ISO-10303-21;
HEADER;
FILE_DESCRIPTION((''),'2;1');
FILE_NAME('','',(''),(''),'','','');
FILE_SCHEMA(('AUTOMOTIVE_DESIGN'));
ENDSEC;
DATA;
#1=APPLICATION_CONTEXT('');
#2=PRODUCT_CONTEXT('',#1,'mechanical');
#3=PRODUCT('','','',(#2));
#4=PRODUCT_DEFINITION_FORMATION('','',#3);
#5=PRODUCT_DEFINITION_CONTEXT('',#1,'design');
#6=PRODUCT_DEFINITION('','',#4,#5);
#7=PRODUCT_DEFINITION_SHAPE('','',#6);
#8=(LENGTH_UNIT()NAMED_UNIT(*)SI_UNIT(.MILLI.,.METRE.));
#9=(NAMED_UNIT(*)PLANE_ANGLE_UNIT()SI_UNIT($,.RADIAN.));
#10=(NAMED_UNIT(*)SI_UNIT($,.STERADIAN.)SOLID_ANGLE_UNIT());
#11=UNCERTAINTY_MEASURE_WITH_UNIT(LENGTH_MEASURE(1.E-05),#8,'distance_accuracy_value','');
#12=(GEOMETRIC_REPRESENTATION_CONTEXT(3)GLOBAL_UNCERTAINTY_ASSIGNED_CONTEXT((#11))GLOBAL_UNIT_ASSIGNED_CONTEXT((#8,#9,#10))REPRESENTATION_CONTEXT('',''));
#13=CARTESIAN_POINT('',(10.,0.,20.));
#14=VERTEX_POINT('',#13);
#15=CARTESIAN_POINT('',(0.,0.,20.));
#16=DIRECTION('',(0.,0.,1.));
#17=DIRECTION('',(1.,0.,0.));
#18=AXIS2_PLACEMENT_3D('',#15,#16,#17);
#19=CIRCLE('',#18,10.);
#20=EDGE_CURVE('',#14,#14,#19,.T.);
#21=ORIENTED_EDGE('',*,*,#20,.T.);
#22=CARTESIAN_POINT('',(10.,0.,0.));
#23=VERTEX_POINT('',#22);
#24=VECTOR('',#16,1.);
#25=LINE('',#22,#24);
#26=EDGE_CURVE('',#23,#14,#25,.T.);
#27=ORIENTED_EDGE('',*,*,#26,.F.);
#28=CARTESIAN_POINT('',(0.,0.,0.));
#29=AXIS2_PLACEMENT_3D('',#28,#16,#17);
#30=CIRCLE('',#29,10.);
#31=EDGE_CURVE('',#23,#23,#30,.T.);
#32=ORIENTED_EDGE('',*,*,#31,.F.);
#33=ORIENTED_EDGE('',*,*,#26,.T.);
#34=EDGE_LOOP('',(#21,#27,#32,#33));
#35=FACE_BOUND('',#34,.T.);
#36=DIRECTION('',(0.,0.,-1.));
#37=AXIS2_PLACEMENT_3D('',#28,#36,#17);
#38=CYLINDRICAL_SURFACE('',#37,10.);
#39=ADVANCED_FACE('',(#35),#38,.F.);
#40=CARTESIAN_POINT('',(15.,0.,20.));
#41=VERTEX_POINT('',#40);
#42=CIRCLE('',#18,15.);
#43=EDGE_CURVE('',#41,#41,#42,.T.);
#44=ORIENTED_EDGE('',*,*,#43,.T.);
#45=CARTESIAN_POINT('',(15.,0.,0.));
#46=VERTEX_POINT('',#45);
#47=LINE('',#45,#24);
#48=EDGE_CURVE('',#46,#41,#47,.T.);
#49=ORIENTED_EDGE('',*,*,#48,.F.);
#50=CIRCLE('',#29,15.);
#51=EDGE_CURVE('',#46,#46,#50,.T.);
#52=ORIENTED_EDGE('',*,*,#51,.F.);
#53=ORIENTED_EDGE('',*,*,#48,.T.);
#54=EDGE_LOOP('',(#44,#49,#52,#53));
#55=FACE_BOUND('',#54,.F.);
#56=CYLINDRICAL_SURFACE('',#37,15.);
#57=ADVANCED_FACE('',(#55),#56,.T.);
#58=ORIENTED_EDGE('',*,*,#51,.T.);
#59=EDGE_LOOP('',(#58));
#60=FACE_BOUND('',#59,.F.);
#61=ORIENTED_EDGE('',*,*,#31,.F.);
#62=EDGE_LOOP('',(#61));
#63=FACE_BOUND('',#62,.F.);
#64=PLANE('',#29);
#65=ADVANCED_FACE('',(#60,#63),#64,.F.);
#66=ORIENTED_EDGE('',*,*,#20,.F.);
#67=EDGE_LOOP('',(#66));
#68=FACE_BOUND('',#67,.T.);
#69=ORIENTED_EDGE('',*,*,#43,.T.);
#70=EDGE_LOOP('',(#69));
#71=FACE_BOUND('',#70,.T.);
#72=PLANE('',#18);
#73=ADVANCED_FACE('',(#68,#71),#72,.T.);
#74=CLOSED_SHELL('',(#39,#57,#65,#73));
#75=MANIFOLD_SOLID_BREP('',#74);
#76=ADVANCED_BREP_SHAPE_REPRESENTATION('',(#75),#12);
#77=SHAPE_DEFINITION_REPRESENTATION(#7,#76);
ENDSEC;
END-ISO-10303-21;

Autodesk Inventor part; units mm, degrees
ref_plane "YZ Plane" through (0, 0, 0) normal (1, 0, 0) x (0, 1, 0)
ref_plane "XZ Plane" through (0, 0, 0) normal (0, 1, 0) x (-1, 0, 0)
ref_plane "XY Plane" through (0, 0, 0) normal (0, 0, 1) x (1, 0, 0)
sketch "Sketch1" plane through (0, 0, 0) normal (0, 0, 1) x (1, 0, 0)
  circle A0 centre (0, 0) radius 15
  circle A1 centre (0, 0) radius 10
  dimension "d0" = 30
  dimension "d1" = 20
extrude "Extrusion1" add sketch "Sketch1" along normal blind 20
properties part number "piston seal" material "Rubber"
